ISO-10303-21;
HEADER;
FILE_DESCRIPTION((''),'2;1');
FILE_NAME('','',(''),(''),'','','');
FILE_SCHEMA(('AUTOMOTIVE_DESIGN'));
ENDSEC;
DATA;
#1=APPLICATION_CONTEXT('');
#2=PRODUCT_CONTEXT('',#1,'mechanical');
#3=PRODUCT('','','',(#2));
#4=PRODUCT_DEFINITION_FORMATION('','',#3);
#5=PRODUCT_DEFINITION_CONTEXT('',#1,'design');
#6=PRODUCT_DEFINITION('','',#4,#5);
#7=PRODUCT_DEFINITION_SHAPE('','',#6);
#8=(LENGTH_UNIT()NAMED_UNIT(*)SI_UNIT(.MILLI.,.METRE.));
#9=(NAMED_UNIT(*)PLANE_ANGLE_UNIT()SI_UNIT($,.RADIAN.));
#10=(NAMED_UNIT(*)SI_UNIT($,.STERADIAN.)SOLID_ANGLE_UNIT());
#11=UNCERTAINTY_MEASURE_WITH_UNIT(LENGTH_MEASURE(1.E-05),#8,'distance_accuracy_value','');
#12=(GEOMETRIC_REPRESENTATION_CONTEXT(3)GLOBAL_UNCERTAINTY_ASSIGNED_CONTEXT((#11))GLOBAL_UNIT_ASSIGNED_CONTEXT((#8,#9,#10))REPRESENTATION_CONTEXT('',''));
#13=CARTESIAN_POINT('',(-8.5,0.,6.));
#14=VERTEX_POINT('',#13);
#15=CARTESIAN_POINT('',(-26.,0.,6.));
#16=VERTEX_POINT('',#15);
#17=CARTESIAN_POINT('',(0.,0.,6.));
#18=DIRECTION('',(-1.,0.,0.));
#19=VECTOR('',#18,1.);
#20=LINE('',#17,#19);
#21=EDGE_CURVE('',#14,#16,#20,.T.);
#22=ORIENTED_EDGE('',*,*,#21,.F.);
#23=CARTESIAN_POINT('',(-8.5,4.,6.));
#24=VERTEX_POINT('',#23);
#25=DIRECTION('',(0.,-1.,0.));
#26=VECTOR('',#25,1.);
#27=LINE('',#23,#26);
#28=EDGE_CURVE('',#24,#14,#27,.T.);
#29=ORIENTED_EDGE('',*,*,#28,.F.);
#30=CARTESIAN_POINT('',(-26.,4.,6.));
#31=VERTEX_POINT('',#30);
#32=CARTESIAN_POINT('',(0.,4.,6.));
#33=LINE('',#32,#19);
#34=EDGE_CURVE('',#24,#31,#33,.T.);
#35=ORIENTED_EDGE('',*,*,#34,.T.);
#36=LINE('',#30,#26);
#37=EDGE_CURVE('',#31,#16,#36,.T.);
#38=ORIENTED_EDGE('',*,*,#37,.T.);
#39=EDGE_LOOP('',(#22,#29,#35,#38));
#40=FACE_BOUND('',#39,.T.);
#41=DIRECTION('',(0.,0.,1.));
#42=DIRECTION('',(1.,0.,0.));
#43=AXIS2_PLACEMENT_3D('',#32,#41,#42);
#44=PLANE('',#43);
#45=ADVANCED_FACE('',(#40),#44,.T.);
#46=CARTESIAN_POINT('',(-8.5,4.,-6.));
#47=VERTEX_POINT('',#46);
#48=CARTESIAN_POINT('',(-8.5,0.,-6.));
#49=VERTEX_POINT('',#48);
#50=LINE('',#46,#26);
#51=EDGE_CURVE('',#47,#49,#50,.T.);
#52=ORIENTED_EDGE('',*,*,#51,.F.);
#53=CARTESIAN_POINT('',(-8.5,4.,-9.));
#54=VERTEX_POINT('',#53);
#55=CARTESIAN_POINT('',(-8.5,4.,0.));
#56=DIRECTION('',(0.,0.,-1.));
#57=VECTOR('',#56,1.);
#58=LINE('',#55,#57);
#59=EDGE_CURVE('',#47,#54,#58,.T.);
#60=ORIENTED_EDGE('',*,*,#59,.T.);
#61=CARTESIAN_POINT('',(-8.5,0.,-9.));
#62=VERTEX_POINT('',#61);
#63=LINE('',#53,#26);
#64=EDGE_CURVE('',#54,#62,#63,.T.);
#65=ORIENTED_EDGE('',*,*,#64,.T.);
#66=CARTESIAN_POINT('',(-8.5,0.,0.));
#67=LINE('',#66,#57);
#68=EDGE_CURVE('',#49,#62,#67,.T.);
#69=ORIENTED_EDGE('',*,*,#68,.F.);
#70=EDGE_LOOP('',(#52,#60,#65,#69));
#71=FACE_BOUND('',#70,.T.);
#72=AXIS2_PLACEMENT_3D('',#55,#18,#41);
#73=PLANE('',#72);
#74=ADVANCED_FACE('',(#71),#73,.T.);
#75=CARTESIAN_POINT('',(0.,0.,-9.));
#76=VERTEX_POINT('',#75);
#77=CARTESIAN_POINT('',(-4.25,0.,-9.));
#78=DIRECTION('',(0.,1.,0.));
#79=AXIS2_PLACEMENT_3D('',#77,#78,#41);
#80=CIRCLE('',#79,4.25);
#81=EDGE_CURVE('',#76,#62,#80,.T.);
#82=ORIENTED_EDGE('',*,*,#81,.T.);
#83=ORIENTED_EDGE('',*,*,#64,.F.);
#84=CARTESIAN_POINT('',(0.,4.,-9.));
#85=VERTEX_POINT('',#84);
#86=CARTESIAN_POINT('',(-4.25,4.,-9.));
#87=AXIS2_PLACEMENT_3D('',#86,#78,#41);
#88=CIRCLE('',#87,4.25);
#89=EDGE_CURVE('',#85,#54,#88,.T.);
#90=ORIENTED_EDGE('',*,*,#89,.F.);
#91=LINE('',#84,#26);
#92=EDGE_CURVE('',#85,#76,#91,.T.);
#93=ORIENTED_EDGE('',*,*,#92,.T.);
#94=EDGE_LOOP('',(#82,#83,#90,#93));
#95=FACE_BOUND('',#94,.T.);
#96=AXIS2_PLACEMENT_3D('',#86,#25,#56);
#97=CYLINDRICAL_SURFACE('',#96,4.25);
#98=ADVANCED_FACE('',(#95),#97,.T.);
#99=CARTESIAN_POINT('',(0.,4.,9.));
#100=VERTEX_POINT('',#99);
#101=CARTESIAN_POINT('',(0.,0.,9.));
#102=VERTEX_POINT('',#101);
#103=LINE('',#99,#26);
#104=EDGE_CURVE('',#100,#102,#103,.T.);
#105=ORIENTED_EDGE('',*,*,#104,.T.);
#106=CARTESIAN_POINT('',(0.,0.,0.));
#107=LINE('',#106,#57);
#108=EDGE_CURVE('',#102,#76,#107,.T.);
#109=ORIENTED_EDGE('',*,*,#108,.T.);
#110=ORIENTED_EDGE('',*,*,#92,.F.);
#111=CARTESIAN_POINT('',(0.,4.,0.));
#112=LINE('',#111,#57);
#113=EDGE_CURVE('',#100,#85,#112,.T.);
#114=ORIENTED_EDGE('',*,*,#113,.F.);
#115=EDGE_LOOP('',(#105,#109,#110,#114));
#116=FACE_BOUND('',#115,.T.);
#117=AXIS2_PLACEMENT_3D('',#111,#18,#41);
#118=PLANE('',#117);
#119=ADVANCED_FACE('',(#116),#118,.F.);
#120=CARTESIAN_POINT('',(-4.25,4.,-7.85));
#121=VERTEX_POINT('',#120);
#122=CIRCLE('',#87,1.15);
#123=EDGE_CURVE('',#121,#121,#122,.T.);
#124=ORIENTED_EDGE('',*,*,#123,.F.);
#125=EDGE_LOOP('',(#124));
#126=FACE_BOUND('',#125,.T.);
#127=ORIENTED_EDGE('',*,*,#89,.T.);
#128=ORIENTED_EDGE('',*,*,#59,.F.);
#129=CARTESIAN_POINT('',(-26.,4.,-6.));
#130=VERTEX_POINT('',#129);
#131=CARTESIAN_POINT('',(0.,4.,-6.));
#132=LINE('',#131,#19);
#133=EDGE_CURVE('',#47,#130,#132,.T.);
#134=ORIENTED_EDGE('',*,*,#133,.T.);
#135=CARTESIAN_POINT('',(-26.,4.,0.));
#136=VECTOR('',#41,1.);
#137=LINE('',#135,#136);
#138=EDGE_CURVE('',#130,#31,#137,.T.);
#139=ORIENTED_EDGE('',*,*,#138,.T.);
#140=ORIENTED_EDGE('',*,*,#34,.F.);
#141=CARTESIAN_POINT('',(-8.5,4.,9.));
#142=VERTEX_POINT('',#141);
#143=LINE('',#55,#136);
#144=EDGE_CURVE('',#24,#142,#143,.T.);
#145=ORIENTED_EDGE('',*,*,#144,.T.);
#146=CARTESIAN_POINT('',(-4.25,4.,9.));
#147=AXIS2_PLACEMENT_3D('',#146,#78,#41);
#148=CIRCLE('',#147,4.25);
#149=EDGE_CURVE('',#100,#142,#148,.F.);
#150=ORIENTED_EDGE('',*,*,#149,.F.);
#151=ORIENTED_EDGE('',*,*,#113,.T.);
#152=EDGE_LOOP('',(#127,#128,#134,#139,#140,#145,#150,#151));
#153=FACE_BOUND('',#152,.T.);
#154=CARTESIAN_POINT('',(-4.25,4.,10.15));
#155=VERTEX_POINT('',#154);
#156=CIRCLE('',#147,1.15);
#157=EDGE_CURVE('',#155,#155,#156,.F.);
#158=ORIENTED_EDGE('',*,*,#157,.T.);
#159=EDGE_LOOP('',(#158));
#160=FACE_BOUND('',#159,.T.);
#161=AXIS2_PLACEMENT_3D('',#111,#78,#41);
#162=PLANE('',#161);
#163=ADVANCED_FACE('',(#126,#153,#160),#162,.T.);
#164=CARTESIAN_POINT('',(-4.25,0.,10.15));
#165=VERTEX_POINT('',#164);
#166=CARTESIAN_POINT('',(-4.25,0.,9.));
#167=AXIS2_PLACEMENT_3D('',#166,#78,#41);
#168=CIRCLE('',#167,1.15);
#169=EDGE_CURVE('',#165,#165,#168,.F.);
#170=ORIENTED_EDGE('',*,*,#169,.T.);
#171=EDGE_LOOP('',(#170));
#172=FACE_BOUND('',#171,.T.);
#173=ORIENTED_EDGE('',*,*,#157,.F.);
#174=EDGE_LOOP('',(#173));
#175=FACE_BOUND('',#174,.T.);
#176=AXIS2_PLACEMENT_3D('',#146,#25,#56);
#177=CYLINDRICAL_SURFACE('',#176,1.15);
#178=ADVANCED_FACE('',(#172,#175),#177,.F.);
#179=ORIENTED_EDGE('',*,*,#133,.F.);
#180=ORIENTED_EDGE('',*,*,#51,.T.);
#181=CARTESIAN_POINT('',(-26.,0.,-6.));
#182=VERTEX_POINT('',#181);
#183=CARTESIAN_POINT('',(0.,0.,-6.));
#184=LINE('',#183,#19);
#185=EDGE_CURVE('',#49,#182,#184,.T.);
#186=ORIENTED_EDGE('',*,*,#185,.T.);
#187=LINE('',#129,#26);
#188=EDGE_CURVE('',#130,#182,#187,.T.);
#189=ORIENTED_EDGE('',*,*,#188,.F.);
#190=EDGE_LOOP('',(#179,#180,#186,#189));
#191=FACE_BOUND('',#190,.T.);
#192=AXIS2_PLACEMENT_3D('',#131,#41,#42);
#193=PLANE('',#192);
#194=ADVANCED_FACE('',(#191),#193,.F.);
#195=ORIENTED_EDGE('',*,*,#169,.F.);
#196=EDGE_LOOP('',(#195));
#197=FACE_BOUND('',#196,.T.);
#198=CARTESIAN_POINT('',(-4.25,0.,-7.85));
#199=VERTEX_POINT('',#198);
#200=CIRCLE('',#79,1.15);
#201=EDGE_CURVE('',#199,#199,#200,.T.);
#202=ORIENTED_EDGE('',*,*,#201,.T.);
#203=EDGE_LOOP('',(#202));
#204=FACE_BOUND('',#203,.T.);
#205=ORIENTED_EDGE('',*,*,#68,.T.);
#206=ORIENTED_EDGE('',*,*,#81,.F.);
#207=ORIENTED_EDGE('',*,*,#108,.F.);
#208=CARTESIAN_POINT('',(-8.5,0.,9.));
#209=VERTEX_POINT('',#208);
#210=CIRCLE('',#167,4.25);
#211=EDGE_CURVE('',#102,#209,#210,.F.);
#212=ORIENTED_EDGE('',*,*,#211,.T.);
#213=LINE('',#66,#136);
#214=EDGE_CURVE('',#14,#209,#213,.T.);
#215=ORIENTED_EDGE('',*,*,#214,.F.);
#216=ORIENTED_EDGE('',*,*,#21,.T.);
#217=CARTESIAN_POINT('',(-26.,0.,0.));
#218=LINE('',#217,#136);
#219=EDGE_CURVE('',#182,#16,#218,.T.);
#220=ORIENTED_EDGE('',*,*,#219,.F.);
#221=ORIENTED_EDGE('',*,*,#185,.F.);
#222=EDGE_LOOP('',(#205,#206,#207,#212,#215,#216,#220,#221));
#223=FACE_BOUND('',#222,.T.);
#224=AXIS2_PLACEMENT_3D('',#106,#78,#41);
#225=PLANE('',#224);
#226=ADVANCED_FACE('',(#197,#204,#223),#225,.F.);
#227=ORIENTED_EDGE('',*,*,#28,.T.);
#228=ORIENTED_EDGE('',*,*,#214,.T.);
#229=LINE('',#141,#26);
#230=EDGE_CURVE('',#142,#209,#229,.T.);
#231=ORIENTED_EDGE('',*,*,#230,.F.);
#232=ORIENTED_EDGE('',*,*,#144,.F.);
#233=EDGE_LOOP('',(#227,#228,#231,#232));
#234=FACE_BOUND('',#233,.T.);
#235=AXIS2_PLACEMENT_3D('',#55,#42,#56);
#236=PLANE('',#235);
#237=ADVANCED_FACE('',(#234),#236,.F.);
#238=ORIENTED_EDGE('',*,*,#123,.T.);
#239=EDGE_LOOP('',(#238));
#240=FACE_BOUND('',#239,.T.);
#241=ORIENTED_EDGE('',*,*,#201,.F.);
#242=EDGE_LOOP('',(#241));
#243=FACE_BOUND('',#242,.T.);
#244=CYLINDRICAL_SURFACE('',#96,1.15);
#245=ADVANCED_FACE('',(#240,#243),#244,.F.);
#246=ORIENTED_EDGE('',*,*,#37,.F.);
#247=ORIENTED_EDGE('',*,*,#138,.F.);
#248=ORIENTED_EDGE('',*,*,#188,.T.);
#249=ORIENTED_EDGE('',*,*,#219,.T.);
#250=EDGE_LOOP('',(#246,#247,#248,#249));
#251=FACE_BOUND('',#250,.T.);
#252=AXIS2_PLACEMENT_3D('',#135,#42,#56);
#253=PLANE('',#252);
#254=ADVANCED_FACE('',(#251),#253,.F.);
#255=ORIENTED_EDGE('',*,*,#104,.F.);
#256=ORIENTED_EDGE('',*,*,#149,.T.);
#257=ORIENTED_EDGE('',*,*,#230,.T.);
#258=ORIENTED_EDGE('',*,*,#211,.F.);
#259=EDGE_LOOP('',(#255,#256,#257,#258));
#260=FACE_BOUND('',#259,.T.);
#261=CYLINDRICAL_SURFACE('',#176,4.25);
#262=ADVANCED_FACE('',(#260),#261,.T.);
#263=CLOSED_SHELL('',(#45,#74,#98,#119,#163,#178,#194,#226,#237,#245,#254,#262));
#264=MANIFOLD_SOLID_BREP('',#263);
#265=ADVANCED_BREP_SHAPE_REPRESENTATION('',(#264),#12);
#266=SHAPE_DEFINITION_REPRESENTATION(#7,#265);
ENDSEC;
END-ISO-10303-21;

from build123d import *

# Parameters (mm, degrees)
ESBO_O1_R                = 1.15
RESSALTO_EXTRUS_O1_DEPTH = 4


with BuildPart() as part:
    # Esboço1 → Ressalto-extrusão1 (new body)
    with BuildSketch(Plane(origin=(0, 0, 0), x_dir=(1, 0, 0), z_dir=(0, 1, 0))):
        with BuildLine():
            Line((-8.5, 9), (-8.5, 6))
            Line((-8.5, 6), (-26, 6))
            Line((-26, 6), (-26, -6))
            Line((-26, -6), (-8.5, -6))
            Line((-8.5, -6), (-8.5, -9))
            ThreePointArc((-8.5, -9), (-4.25, -13.25), (0, -9))
            Line((0, -9), (0, 9))
            ThreePointArc((0, 9), (-4.25, 13.25), (-8.5, 9))
        make_face()
        with Locations(Location((-4.25, 9, 0), (0, 0, 270))):
            Circle(ESBO_O1_R, mode=Mode.SUBTRACT)
        with Locations(Location((-4.25, -9, 0), (0, 0, 270))):
            Circle(ESBO_O1_R, mode=Mode.SUBTRACT)
    extrude(amount=RESSALTO_EXTRUS_O1_DEPTH)


solid = part.part
